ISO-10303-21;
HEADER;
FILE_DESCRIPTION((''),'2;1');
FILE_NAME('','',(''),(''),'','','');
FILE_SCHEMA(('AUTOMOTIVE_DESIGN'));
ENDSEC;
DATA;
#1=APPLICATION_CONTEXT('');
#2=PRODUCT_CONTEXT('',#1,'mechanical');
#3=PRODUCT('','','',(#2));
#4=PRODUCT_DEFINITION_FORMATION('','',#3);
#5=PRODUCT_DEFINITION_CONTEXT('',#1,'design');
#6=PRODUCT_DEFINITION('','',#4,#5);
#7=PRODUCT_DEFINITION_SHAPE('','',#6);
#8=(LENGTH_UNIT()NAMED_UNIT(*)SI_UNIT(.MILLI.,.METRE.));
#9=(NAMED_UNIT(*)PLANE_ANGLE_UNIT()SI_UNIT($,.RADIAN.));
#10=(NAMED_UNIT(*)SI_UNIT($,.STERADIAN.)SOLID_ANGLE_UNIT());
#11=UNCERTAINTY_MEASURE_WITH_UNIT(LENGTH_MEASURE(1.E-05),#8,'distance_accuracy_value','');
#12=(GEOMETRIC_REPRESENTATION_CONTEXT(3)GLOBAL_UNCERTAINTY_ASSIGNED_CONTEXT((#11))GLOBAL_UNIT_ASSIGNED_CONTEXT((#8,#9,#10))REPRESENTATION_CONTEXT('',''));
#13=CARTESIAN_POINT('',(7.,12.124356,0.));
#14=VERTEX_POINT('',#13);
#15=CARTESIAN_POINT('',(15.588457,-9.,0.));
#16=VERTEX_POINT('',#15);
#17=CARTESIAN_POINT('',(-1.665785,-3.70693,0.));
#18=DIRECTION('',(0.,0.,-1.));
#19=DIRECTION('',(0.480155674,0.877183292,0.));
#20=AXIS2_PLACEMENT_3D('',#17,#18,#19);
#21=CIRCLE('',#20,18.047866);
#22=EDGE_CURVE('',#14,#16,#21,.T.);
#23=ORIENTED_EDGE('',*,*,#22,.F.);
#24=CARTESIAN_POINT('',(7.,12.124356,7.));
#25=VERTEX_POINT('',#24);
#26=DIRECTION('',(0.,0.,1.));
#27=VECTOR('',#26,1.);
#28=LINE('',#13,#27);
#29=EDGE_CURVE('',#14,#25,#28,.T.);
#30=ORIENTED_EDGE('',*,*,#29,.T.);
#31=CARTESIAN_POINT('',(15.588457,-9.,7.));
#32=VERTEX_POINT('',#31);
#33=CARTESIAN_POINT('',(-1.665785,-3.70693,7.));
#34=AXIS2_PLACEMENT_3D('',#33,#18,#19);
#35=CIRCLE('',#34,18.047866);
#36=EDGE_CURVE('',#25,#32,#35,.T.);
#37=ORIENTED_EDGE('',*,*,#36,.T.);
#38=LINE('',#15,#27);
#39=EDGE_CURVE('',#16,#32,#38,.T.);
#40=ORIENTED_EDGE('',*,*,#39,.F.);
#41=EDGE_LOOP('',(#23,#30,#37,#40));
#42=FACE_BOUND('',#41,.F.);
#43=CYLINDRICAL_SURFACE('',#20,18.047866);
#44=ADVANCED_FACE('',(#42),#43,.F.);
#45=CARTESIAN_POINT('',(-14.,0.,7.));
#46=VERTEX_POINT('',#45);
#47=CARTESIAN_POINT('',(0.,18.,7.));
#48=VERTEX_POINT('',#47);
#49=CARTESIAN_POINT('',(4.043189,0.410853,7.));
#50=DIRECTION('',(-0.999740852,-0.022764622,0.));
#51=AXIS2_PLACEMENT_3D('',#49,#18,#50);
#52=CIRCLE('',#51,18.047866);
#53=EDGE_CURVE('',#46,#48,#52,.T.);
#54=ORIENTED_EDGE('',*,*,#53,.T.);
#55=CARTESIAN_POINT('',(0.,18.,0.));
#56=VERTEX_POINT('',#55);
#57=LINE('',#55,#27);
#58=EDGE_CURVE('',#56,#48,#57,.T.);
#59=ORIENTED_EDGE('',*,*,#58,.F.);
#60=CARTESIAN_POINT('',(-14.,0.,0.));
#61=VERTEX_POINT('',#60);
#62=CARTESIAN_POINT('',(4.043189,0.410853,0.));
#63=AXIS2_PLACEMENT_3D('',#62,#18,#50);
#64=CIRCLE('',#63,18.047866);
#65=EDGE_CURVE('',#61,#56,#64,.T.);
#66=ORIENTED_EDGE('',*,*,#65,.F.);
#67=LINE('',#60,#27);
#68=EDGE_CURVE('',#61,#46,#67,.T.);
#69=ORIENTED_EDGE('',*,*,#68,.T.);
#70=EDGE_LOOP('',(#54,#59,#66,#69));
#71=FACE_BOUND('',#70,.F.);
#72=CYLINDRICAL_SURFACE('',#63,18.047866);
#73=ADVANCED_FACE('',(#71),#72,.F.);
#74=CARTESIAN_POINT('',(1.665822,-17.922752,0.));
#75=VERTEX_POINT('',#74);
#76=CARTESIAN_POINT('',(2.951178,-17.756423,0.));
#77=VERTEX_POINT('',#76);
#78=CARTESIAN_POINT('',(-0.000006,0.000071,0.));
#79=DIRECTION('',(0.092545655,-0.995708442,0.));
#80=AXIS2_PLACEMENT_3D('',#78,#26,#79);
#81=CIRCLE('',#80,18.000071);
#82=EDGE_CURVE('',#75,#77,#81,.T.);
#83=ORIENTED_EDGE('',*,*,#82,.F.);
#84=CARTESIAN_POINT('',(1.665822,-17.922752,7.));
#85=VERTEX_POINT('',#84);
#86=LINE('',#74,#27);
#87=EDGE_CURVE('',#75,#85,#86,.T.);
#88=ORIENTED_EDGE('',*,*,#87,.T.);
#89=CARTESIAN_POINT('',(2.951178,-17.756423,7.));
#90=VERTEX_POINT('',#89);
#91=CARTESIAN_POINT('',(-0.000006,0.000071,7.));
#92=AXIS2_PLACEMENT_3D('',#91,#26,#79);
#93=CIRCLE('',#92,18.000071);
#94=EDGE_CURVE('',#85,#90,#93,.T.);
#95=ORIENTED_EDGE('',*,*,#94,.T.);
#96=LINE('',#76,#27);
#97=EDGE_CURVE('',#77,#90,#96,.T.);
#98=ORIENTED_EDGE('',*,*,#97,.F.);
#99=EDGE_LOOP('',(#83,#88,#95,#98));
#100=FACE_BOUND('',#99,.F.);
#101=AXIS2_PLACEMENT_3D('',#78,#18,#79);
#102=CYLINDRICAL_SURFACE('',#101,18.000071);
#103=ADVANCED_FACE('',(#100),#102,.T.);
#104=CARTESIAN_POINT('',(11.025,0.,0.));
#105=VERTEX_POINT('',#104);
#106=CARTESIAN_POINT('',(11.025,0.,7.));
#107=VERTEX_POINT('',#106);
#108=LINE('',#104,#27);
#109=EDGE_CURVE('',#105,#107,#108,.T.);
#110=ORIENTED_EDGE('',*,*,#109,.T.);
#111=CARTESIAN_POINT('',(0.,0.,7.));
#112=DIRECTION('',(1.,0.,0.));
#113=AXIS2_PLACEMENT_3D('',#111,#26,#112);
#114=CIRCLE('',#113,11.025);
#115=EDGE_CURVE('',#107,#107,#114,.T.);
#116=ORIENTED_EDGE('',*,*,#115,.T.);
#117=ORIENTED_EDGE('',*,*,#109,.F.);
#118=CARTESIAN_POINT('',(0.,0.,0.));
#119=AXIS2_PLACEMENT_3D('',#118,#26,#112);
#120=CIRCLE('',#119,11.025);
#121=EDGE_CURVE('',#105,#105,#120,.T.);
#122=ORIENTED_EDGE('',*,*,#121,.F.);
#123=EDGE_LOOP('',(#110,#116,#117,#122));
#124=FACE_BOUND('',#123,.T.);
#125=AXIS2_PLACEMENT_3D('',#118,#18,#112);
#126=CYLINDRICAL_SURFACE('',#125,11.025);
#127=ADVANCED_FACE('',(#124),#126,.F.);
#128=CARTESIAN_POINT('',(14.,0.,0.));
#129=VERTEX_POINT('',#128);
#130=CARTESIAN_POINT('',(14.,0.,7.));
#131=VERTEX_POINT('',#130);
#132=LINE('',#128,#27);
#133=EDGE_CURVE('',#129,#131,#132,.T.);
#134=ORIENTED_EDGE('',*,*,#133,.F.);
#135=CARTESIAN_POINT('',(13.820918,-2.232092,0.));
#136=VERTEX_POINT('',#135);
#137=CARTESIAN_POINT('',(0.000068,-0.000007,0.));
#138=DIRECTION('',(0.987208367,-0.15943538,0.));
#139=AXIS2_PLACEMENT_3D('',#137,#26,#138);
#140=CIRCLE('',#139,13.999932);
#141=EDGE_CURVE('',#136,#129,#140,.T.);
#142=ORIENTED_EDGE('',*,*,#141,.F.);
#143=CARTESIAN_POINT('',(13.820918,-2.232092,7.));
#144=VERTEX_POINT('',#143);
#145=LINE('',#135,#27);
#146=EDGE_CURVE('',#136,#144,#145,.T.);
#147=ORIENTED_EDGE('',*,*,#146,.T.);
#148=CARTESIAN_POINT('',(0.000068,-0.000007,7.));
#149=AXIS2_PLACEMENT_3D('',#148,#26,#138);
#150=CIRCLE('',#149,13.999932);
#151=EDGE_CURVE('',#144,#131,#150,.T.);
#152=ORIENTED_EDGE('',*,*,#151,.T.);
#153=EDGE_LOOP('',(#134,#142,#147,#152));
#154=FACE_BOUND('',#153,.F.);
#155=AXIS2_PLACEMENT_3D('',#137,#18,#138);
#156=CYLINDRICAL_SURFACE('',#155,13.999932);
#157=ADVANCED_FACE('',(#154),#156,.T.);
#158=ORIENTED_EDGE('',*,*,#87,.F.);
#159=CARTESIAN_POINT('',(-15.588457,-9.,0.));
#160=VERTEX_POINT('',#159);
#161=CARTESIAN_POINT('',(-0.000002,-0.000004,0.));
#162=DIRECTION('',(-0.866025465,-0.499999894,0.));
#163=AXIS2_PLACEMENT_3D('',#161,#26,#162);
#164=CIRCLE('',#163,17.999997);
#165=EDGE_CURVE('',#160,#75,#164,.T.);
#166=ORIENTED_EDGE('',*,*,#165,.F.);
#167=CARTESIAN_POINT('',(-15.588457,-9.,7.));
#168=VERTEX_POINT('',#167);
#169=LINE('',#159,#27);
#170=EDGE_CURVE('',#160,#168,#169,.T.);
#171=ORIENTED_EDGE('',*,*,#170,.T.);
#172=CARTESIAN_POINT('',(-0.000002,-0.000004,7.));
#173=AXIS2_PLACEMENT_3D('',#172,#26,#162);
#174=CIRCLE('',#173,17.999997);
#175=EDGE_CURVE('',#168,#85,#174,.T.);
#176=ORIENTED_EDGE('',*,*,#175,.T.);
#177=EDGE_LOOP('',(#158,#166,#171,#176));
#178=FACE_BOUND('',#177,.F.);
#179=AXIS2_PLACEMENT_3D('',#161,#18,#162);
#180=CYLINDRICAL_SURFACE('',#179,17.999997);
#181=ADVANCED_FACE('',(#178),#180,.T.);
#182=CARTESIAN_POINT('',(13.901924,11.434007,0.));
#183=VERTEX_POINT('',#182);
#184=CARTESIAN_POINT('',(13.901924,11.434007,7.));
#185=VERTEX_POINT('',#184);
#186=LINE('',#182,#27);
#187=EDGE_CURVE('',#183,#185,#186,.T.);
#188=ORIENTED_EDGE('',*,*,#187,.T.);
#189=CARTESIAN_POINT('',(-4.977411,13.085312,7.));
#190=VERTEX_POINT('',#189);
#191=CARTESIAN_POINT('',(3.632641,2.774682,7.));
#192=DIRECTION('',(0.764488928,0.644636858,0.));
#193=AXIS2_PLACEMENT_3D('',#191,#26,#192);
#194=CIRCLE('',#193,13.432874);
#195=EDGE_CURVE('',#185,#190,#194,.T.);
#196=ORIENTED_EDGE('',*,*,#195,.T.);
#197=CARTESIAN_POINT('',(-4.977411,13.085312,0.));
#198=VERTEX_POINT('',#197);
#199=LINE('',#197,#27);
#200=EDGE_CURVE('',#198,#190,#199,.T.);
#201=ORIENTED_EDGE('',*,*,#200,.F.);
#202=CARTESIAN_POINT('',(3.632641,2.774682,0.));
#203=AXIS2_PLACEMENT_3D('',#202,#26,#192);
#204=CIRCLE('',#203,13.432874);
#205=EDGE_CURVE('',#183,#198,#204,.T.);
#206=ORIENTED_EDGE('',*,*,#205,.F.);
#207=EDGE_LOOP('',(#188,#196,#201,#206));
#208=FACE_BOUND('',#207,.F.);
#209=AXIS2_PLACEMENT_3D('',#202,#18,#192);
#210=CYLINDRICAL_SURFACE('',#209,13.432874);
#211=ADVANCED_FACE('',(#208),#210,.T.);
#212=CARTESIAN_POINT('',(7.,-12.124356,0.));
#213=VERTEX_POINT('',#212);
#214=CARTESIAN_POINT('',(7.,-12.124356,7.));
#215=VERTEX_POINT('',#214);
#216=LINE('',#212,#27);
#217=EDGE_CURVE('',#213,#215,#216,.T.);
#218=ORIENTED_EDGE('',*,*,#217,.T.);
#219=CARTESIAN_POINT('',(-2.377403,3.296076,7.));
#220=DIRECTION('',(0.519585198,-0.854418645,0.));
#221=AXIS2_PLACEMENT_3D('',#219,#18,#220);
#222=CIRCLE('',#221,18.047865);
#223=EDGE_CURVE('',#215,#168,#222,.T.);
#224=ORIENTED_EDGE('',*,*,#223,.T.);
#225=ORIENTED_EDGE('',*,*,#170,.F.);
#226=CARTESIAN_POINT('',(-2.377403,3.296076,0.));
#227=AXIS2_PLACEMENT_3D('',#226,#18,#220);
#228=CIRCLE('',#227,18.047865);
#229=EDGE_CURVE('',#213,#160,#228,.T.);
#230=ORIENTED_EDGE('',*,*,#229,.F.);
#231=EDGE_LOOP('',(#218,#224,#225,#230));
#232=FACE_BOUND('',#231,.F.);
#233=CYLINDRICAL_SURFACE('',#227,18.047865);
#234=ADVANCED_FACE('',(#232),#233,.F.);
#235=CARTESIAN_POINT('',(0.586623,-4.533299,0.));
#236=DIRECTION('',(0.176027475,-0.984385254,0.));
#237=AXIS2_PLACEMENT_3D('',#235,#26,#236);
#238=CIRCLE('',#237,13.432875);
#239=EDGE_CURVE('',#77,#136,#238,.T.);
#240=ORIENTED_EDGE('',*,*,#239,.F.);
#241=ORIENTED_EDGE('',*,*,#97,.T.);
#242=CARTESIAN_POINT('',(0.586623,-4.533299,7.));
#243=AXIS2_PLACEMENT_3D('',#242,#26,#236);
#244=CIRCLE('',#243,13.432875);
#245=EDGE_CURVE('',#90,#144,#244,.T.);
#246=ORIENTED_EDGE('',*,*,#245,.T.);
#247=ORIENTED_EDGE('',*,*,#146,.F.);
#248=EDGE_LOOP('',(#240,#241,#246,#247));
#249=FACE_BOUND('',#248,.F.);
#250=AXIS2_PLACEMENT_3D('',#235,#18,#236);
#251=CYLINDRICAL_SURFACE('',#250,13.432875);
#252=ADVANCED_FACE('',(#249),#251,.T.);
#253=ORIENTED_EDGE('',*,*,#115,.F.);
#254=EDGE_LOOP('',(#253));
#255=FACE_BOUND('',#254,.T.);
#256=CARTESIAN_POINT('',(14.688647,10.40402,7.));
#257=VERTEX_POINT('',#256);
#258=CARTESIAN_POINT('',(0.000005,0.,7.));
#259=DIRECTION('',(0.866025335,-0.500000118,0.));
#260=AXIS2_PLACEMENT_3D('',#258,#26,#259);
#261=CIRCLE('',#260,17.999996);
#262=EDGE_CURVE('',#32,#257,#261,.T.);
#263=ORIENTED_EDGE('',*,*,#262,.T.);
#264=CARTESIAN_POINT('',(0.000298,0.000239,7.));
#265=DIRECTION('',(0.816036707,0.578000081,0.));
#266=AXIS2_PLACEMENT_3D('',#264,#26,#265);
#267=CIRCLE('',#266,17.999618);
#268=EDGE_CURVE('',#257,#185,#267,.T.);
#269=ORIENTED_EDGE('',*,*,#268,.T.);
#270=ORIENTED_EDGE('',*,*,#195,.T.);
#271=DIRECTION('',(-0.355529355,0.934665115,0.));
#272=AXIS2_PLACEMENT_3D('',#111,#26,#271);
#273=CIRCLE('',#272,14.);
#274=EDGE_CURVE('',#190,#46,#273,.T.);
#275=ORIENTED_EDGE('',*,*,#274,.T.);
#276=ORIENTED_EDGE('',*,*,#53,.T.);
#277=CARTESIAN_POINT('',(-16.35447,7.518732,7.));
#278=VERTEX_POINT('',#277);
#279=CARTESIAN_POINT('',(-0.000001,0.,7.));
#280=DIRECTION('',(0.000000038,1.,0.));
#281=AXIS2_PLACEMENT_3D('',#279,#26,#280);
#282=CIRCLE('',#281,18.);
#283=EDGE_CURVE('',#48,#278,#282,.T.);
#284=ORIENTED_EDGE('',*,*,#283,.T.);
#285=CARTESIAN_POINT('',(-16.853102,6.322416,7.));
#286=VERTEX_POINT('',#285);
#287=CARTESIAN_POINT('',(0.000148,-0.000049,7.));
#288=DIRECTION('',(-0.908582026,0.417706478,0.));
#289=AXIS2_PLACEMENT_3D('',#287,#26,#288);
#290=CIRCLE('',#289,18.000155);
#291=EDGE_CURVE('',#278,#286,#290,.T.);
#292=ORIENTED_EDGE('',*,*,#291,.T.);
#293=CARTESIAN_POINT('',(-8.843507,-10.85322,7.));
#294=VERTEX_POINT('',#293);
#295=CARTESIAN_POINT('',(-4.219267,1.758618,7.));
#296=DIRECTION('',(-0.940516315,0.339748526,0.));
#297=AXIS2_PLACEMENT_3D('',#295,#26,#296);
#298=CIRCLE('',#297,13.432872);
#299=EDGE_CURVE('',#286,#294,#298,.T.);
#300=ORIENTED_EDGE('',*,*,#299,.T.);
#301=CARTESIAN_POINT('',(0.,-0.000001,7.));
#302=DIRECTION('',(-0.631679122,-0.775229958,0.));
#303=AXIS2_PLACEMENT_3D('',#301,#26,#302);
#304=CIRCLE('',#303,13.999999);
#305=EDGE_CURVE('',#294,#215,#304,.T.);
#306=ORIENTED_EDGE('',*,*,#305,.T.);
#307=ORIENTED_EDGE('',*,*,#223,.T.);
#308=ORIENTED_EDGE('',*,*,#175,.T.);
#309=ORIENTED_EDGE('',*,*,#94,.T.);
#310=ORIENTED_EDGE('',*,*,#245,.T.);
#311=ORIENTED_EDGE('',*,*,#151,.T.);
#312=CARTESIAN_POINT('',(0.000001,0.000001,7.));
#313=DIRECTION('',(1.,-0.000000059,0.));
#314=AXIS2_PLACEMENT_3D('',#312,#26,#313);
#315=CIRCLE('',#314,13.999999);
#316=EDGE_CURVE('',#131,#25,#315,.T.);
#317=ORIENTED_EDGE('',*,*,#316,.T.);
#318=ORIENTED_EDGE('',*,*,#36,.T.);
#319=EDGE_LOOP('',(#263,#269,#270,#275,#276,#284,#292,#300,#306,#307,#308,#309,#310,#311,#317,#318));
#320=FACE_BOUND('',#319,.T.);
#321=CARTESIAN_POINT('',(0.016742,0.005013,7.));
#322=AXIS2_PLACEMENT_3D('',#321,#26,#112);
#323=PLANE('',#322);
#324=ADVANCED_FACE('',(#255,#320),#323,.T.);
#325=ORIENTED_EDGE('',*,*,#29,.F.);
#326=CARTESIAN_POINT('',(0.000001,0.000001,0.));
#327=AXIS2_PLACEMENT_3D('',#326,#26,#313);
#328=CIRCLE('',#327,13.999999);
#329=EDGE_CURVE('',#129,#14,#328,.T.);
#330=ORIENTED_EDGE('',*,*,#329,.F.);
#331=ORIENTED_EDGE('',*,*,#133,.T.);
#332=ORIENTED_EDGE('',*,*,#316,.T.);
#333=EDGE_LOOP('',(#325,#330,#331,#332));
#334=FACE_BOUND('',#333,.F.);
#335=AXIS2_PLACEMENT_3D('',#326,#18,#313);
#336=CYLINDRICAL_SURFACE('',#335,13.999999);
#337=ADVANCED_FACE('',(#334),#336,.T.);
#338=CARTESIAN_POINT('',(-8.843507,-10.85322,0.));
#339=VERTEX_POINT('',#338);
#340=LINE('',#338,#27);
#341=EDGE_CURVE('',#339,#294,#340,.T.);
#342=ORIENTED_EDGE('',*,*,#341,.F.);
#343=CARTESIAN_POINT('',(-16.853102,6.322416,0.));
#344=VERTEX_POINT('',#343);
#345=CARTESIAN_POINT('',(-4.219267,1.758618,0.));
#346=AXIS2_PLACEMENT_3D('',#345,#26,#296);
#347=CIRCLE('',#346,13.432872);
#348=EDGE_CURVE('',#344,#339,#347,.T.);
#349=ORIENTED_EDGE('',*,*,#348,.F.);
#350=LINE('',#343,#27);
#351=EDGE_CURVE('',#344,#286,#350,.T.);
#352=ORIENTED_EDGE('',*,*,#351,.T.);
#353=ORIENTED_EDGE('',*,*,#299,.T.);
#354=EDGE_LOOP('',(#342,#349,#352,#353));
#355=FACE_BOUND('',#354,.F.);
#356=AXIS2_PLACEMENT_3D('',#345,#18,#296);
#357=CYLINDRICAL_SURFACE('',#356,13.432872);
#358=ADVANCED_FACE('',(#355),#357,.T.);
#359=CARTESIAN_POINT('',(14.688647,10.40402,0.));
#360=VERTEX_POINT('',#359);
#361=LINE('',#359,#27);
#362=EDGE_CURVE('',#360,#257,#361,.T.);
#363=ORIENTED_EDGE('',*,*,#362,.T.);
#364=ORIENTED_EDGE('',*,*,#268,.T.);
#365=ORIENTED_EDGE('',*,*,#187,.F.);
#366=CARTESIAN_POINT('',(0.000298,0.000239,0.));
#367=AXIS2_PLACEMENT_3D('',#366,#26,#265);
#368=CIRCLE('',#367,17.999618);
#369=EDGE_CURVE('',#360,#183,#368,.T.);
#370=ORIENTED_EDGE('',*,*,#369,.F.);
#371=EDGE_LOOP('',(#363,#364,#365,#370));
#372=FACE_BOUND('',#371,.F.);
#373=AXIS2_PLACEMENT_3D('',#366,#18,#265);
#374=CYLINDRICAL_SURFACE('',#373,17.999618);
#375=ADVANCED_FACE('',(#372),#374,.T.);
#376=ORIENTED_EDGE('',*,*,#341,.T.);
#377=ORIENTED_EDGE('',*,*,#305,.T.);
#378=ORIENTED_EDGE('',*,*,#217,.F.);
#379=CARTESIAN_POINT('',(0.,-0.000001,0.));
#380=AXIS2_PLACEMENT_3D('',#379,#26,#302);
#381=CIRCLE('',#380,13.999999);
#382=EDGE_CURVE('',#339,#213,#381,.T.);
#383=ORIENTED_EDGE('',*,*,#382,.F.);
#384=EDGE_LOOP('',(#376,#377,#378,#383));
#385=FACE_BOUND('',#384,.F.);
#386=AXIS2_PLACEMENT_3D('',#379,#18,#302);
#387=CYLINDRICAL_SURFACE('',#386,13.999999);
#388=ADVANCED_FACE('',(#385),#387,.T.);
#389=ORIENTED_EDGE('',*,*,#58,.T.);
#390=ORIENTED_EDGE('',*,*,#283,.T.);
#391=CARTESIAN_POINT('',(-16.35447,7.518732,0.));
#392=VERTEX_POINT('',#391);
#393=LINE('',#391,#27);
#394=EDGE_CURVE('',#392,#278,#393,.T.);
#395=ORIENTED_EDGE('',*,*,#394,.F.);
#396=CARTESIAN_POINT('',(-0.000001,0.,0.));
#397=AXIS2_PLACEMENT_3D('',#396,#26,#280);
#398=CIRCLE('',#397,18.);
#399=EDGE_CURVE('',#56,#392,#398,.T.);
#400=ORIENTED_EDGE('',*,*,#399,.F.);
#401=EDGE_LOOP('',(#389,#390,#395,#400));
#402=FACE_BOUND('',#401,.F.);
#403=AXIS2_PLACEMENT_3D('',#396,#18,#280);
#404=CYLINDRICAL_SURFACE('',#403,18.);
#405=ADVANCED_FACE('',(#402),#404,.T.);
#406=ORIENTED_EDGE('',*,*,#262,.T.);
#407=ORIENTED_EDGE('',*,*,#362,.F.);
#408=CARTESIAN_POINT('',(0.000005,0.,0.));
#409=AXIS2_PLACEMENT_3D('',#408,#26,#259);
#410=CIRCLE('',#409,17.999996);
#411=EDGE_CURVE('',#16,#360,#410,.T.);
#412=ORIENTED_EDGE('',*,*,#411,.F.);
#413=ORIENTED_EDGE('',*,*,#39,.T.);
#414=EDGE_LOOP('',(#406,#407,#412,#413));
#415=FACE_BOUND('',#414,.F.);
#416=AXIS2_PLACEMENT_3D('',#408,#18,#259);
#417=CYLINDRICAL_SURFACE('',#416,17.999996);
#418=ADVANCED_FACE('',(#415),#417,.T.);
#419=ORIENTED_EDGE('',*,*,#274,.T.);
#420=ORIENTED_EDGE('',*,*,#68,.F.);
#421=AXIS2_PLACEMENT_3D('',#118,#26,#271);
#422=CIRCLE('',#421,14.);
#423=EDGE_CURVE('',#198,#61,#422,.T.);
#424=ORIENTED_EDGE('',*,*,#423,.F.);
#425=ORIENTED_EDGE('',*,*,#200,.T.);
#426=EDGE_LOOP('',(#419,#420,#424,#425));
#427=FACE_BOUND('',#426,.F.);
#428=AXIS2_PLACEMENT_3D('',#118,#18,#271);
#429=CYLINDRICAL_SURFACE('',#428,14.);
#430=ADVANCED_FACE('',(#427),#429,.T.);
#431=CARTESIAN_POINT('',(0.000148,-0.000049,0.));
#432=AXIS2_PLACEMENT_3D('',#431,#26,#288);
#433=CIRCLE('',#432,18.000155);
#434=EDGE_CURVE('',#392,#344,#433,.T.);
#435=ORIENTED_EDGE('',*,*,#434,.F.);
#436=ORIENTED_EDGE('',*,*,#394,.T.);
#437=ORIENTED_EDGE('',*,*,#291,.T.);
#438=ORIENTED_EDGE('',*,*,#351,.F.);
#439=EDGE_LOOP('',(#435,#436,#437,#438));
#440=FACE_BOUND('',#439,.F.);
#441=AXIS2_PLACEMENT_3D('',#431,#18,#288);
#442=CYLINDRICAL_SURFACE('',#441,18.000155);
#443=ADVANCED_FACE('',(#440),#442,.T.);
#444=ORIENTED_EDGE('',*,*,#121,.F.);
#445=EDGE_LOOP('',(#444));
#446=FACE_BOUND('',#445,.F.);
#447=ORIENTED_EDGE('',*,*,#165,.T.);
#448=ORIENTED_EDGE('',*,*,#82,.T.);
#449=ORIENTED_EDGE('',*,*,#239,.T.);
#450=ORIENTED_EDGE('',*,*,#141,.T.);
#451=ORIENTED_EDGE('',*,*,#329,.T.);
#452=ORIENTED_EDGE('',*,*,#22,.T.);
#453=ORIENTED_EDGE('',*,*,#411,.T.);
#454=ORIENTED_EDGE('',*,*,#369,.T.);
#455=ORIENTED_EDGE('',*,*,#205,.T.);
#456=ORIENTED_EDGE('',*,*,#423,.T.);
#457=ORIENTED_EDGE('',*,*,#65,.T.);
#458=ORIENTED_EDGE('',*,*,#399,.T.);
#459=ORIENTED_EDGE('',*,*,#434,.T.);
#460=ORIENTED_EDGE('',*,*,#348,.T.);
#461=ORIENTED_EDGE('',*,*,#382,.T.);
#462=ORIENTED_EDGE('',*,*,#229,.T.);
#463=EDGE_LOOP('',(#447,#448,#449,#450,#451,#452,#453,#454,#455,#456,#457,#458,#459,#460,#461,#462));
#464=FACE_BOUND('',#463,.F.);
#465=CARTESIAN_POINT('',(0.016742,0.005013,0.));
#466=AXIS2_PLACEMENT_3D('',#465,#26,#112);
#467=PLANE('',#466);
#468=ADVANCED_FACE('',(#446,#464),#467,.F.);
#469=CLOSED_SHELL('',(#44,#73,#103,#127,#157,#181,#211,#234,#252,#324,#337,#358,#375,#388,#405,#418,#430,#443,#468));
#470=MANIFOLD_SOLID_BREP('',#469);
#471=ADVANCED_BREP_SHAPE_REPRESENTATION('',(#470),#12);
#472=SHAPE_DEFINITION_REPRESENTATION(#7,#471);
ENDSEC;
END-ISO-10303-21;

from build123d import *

# Parameters (mm, degrees)
F0_R     = 11.025
F1_DEPTH = 7


with BuildPart() as f1:
    # F0 (on Top) → F1 (new body)
    with BuildSketch(Plane.XY):
        with BuildLine():
            ThreePointArc((13.820918, -2.232092), (13.955158, -1.119632), (14, 0))
            ThreePointArc((14, 0), (12.124356, 7), (7, 12.124356))
            ThreePointArc((7, 12.124356), (1.119632, 13.955158), (-4.977411, 13.085312))
            ThreePointArc((-4.977411, 13.085312), (-11.525705, 7.947209), (-14, 0))
            ThreePointArc((-14, 0), (-12.645337, -6.007949), (-8.843507, -10.85322))
            ThreePointArc((-8.843507, -10.85322), (-1.119632, -13.955158), (7, -12.124356))
            ThreePointArc((7, -12.124356), (11.525705, -7.947209), (13.820918, -2.232092))
        make_face()
        Circle(F0_R, mode=Mode.SUBTRACT)
        with BuildLine():
            ThreePointArc((-8.843507, -10.85322), (-12.645337, -6.007949), (-14, 0))
            ThreePointArc((-14, 0), (-10.202934, 11.491171), (0, 18))
            ThreePointArc((0, 18), (-9.712436, 15.154821), (-16.35447, 7.518732))
            ThreePointArc((-16.35447, 7.518732), (-16.614557, 6.925063), (-16.853102, 6.322416))
            ThreePointArc((-16.853102, 6.322416), (-16.393457, -3.91863), (-8.843507, -10.85322))
        make_face()
        with BuildLine():
            ThreePointArc((-4.977411, 13.085312), (1.119632, 13.955158), (7, 12.124356))
            ThreePointArc((7, 12.124356), (15.053113, 3.090415), (15.588457, -9))
            ThreePointArc((15.588457, -9), (17.980678, 0.833806), (14.688647, 10.40402))
            ThreePointArc((14.688647, 10.40402), (14.304559, 10.926097), (13.901924, 11.434007))
            ThreePointArc((13.901924, 11.434007), (4.803096, 16.156465), (-4.977411, 13.085312))
        make_face()
        with BuildLine():
            ThreePointArc((2.951178, -17.756423), (11.590361, -12.237835), (13.820918, -2.232092))
            ThreePointArc((13.820918, -2.232092), (11.525705, -7.947209), (7, -12.124356))
            ThreePointArc((7, -12.124356), (-4.850179, -14.581586), (-15.588457, -9))
            ThreePointArc((-15.588457, -9), (-8.268242, -15.988627), (1.665822, -17.922752))
            ThreePointArc((1.665822, -17.922752), (2.309998, -17.85116), (2.951178, -17.756423))
        make_face()
    extrude(amount=F1_DEPTH)


solid = f1.part
